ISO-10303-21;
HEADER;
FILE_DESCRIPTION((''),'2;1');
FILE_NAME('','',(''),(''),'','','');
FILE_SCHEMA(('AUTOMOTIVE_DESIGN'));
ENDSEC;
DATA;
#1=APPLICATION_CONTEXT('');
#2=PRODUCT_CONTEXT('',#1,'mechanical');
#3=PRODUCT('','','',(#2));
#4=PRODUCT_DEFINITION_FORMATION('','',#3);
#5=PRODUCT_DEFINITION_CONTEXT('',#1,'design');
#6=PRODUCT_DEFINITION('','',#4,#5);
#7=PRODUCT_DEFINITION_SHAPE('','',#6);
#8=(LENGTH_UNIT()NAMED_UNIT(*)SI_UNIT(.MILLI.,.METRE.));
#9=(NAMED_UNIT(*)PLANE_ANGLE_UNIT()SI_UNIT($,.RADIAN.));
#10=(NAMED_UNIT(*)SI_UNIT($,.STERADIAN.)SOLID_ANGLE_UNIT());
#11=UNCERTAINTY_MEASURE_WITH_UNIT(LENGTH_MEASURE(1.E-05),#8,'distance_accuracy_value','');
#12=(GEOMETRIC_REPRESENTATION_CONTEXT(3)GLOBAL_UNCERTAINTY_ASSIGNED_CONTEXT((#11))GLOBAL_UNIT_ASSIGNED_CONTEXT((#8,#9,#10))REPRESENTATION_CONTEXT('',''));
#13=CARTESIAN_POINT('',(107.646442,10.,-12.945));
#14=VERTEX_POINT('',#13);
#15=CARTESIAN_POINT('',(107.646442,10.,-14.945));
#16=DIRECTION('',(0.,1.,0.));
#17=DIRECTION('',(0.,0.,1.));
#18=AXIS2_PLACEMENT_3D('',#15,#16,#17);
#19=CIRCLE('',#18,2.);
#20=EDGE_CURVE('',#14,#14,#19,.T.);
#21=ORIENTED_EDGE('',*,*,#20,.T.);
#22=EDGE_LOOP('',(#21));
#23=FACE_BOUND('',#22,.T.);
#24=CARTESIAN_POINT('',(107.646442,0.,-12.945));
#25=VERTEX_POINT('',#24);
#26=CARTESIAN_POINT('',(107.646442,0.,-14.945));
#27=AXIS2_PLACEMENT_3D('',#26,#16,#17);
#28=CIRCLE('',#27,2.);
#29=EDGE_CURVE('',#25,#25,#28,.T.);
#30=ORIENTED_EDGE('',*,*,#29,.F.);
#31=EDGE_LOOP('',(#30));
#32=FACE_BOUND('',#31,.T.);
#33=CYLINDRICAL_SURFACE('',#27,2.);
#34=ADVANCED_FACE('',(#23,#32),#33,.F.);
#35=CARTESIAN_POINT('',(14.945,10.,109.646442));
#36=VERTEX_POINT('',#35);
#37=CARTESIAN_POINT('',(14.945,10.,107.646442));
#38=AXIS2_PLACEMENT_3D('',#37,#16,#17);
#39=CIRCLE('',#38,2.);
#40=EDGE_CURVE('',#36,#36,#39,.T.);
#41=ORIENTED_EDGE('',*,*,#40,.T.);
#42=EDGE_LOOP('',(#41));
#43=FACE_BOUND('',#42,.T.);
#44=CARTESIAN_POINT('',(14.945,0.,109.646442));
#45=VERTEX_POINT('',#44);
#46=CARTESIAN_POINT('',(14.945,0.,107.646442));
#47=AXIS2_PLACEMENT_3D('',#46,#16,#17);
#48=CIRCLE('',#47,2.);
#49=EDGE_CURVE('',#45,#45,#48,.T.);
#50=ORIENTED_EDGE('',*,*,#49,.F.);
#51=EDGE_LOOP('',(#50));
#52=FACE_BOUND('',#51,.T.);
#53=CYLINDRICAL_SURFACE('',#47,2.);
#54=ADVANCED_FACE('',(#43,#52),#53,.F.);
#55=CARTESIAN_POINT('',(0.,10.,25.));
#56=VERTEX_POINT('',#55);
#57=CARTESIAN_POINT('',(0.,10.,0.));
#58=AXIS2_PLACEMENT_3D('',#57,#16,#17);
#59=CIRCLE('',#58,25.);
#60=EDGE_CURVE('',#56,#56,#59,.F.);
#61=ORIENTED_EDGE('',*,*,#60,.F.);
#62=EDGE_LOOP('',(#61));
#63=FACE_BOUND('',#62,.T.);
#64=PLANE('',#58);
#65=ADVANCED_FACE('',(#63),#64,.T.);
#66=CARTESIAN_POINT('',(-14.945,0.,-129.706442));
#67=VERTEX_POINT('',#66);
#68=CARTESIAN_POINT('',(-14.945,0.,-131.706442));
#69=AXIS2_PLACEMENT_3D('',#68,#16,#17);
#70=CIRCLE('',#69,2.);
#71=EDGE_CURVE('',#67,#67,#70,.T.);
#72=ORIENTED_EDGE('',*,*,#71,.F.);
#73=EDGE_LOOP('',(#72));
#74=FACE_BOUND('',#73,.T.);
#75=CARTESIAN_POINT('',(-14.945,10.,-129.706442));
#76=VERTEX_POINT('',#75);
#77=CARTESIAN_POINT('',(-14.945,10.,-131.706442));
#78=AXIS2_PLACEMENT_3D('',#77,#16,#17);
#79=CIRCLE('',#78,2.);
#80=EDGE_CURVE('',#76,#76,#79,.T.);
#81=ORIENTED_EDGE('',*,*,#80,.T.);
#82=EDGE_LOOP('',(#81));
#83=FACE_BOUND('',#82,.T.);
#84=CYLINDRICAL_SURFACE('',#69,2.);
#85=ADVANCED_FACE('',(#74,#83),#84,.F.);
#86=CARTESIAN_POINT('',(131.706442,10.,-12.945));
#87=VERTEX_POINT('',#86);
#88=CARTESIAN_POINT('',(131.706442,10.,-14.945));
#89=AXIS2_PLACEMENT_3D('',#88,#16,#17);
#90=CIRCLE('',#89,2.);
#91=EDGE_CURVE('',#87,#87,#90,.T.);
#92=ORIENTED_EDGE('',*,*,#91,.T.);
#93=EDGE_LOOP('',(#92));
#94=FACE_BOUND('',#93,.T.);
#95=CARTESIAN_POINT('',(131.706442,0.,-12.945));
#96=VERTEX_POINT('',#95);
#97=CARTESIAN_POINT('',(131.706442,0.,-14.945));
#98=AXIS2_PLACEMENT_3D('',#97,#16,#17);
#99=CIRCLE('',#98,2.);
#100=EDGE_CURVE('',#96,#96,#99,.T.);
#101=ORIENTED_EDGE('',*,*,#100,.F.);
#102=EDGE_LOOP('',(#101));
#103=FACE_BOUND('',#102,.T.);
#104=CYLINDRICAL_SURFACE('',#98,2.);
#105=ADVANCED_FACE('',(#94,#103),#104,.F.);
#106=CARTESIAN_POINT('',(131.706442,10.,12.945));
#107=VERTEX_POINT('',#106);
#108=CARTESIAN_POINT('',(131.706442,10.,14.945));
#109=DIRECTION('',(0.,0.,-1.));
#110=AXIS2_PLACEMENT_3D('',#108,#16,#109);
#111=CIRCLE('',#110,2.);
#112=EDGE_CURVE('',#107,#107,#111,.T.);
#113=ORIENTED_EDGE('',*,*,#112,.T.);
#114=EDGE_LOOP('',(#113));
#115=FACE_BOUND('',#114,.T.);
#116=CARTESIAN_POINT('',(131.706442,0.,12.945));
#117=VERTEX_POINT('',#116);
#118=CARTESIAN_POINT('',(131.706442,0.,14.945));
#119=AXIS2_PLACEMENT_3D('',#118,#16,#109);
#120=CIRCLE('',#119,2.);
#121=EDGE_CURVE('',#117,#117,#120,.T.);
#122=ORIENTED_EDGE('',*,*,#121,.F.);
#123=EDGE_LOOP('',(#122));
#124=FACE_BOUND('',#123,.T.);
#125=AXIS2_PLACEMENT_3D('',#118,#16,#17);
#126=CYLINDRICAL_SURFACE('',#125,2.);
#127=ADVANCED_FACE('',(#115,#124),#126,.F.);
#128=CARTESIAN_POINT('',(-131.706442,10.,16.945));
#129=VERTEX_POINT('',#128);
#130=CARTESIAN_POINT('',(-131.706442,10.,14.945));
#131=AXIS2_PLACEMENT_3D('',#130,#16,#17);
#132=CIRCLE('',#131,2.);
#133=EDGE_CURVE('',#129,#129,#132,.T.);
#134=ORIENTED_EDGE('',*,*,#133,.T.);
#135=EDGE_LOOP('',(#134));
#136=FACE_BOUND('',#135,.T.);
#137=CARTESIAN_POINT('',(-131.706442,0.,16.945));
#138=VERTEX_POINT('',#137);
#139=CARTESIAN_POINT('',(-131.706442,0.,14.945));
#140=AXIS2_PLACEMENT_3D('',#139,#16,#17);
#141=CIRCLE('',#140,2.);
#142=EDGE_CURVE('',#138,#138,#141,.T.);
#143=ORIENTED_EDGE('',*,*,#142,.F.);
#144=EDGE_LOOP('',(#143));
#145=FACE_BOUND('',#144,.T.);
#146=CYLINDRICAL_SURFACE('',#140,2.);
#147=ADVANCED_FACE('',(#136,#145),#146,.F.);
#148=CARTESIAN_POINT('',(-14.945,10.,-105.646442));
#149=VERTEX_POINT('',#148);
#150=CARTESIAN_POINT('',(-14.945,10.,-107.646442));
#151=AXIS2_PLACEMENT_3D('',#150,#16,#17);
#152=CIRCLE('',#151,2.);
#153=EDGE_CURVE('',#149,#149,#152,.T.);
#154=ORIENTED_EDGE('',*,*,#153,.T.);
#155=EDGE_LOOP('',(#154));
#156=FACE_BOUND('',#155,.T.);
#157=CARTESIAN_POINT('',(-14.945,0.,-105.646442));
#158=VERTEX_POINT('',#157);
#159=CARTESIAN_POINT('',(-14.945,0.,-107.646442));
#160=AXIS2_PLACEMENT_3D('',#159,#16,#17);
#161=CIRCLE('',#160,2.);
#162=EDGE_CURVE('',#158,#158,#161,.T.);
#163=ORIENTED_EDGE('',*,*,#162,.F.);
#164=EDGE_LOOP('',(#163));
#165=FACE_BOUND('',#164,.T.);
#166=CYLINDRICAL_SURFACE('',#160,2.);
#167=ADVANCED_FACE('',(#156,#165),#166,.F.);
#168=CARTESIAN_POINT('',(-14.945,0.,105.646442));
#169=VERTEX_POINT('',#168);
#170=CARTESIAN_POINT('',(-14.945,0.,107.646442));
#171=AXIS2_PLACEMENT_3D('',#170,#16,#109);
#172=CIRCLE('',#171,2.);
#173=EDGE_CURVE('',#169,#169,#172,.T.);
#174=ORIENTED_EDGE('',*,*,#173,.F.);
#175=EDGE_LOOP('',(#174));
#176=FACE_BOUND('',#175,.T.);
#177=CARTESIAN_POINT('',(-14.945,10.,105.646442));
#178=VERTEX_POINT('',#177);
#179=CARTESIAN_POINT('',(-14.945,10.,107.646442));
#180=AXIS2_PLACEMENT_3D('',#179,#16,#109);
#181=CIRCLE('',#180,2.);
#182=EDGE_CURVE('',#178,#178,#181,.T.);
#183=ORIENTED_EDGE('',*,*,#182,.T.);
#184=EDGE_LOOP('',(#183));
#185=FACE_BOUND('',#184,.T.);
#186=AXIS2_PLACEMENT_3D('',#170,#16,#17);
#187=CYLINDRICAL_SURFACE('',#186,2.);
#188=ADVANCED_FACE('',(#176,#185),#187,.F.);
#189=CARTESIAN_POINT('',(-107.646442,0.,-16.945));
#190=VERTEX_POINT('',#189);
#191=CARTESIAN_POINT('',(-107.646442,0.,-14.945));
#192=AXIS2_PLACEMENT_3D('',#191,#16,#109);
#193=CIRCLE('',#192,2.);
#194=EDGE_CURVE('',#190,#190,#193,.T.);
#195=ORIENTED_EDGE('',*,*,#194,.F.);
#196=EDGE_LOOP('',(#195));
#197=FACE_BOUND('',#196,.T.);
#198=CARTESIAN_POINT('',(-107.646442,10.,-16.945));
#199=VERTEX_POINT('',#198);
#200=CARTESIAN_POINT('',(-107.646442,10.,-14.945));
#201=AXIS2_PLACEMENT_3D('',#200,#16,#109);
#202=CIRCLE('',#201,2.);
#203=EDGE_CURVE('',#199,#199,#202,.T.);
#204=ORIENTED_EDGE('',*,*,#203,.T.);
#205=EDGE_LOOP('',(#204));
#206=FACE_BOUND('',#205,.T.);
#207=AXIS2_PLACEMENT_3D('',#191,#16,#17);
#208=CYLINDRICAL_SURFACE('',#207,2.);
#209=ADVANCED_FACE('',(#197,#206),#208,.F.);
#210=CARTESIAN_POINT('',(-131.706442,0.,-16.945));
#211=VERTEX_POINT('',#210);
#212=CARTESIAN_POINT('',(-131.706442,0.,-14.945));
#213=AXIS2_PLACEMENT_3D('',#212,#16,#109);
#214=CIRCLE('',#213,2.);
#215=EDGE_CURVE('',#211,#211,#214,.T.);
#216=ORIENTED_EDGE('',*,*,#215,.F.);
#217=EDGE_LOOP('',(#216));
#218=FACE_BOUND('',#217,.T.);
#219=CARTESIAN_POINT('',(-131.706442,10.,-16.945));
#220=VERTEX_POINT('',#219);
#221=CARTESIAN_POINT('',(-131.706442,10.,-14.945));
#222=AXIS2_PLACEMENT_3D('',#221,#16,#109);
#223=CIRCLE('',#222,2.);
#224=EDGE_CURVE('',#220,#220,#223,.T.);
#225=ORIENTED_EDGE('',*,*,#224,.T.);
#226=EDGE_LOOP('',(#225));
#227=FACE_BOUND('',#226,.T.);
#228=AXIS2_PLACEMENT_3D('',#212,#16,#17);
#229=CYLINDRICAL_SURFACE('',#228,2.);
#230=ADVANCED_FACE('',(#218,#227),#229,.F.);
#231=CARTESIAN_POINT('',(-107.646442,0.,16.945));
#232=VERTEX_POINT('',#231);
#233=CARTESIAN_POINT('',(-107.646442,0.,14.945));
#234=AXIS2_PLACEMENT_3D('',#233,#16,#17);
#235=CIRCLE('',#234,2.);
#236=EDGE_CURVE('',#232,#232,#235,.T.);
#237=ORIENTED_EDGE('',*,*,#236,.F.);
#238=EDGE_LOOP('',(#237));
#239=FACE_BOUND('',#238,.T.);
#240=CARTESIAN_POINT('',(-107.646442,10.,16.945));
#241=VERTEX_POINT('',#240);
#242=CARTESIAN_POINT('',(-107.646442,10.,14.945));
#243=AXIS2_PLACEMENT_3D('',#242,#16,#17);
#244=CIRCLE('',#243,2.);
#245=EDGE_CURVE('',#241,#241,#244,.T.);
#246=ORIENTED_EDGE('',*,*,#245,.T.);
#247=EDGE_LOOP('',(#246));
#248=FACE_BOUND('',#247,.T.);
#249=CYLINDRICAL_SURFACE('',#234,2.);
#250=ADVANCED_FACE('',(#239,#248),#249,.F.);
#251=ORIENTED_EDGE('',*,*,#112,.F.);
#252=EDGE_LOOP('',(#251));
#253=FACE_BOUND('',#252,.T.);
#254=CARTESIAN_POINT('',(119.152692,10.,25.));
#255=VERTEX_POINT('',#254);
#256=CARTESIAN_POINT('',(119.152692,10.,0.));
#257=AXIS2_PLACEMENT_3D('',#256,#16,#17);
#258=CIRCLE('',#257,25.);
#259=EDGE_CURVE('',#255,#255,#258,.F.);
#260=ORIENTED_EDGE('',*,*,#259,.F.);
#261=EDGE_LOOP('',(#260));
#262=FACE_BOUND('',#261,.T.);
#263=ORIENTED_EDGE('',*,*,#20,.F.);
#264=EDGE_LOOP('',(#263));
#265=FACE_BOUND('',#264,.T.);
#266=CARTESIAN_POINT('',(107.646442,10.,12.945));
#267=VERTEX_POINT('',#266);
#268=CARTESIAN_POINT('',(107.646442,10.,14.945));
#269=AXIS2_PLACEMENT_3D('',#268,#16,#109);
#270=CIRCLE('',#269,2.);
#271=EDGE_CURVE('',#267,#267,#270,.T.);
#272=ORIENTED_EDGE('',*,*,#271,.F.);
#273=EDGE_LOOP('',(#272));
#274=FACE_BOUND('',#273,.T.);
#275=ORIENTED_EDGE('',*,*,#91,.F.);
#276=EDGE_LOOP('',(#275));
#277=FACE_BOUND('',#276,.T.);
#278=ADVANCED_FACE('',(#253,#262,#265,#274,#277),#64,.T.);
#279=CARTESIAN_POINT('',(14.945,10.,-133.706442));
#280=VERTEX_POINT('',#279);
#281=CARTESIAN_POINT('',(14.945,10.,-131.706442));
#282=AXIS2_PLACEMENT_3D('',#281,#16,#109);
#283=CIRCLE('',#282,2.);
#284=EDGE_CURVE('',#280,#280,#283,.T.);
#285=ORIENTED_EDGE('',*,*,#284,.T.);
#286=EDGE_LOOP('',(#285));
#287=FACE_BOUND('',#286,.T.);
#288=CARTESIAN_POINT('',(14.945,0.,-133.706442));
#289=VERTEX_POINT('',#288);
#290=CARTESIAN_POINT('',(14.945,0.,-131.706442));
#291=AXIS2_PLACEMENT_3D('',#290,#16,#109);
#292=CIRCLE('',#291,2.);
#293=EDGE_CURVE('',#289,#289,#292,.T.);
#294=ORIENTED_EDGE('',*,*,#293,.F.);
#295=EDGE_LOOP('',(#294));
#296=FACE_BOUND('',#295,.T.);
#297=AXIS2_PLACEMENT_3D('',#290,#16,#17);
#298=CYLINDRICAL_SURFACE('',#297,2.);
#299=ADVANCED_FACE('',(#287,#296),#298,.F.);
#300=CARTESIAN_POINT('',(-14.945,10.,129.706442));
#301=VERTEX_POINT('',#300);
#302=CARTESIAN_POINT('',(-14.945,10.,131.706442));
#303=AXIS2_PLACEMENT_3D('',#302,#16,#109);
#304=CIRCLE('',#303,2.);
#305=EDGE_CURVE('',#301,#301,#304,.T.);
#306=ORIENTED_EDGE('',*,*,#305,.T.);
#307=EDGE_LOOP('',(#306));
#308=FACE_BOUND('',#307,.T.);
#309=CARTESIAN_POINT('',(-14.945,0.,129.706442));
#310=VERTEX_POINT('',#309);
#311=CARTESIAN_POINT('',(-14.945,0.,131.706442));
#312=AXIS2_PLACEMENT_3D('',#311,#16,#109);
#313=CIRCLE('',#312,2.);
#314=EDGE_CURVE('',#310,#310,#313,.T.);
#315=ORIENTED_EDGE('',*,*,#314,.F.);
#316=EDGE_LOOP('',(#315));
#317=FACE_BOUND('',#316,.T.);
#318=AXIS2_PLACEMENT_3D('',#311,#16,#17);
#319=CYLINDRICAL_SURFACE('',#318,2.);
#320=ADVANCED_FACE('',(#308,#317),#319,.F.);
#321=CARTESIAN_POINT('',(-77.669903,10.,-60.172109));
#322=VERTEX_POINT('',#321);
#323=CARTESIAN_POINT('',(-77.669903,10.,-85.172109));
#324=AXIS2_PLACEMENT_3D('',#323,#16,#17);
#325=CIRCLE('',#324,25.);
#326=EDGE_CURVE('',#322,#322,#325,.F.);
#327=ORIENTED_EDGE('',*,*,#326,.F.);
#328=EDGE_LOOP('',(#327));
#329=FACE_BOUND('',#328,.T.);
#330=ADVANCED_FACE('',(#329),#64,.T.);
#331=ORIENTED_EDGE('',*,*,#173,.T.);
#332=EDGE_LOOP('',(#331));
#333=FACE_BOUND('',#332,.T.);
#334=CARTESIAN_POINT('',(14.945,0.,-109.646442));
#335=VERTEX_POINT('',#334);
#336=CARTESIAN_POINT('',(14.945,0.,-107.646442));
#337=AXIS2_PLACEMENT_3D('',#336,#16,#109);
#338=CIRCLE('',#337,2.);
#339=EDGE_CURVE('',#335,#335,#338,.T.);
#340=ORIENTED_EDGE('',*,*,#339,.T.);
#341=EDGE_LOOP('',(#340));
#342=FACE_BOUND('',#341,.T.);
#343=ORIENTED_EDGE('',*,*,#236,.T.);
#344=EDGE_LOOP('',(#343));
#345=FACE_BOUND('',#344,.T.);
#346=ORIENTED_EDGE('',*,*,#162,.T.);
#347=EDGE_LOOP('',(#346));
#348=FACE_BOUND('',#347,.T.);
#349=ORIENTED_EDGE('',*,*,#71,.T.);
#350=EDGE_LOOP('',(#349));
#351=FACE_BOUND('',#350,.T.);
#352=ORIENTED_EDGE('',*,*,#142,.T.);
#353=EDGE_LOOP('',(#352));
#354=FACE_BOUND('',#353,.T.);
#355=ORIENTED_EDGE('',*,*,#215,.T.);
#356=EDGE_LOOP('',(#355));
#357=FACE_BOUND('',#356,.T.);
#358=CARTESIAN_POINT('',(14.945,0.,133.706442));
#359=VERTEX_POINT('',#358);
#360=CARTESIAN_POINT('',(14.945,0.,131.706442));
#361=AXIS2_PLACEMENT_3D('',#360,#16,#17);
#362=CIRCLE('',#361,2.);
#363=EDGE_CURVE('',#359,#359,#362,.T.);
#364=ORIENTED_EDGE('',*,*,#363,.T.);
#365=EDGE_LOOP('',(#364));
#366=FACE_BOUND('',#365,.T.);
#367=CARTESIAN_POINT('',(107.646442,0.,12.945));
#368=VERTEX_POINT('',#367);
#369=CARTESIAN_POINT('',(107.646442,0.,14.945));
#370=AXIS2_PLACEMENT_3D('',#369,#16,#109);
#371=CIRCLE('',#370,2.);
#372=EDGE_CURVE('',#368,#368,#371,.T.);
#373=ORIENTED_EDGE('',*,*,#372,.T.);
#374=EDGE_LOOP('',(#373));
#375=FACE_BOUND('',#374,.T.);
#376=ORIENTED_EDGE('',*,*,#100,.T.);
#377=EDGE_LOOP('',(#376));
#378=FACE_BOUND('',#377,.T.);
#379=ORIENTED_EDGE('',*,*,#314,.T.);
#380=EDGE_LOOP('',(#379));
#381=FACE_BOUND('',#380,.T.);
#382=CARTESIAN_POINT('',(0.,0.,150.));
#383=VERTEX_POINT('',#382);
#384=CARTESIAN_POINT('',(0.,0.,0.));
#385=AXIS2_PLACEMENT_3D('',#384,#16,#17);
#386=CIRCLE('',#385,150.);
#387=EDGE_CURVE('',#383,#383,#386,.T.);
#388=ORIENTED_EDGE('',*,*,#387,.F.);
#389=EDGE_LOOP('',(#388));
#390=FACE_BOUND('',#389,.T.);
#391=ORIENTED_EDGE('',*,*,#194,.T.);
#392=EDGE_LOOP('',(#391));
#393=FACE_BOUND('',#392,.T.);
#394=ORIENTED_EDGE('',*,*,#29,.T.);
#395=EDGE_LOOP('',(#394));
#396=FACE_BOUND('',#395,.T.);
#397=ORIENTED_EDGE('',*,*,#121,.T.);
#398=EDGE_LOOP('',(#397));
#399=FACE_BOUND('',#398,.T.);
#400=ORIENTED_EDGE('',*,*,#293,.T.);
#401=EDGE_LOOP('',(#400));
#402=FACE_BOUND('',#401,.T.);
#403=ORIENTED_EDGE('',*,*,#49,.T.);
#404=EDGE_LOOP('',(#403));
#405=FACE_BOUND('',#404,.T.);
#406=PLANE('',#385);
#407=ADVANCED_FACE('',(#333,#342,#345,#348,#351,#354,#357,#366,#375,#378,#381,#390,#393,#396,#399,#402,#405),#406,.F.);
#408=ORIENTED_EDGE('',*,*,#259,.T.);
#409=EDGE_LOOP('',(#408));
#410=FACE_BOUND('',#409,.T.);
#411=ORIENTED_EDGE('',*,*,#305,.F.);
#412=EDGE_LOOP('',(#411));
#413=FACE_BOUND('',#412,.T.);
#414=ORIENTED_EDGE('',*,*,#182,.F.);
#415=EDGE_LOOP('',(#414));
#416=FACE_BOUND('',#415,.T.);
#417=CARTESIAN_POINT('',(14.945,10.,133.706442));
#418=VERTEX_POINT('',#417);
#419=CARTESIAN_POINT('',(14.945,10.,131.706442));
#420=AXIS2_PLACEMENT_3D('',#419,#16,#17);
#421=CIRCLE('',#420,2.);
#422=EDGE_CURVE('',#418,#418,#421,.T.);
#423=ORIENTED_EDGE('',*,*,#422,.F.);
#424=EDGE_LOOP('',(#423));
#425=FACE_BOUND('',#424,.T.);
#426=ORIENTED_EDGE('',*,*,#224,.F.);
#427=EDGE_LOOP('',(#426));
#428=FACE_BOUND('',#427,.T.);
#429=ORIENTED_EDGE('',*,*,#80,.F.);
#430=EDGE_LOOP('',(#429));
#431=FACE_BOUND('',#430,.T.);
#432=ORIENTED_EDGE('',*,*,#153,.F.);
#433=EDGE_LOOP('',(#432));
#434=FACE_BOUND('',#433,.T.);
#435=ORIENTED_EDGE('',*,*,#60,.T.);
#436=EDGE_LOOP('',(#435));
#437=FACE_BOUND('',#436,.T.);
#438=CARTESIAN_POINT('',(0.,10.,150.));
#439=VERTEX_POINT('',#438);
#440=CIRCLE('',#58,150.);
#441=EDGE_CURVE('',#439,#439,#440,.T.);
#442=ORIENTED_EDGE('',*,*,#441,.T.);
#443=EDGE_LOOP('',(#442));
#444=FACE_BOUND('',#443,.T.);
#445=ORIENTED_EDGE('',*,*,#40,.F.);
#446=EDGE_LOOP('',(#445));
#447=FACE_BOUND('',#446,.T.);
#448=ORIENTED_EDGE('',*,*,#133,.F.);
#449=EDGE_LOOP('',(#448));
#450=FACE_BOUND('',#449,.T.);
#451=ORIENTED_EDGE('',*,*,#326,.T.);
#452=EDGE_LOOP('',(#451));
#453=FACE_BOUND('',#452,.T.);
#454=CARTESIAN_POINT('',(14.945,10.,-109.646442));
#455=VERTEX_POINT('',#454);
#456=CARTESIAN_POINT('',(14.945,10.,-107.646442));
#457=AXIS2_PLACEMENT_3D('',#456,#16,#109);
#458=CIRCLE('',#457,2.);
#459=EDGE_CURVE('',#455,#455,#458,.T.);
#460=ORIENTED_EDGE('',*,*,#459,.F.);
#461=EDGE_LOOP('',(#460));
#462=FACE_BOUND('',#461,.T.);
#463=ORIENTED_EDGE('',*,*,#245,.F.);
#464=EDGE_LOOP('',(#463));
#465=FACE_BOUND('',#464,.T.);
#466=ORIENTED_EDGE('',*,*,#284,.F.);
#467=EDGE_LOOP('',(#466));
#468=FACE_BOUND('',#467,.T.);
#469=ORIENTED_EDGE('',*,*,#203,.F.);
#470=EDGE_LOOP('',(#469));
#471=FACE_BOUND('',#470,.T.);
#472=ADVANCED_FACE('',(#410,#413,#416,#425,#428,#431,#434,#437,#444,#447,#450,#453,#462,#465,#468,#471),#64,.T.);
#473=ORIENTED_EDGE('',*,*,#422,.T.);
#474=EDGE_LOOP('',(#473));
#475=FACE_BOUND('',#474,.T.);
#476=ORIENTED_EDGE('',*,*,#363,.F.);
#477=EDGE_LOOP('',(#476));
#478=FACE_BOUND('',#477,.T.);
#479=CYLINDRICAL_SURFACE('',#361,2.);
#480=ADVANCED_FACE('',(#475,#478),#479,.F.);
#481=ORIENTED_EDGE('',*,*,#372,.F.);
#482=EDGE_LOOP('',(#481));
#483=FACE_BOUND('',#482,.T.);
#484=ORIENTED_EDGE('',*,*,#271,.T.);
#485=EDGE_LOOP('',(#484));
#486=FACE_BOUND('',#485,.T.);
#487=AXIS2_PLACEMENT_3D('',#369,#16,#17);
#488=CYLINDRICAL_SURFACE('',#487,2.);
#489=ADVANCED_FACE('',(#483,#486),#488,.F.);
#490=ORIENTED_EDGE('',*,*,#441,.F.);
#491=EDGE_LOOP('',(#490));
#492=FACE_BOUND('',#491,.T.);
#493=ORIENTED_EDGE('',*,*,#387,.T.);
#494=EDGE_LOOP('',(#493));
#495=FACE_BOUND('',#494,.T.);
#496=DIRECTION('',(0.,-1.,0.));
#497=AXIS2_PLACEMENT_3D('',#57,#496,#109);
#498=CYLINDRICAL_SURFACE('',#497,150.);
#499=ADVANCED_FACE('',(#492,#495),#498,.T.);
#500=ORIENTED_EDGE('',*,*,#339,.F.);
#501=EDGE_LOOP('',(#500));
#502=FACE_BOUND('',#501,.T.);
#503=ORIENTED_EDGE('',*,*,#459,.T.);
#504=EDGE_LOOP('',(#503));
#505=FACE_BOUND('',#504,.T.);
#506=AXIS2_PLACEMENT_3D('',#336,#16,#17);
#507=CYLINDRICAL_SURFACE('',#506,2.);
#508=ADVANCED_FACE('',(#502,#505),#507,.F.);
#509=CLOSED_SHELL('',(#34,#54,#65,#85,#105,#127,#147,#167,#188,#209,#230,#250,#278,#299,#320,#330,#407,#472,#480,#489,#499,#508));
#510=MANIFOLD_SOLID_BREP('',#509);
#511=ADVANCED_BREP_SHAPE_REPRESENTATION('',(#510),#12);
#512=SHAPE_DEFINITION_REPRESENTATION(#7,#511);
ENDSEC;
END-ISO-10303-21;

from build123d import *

# Parameters (mm, degrees)
SKETCH1_R           = 150
BOSS_EXTRUDE1_DEPTH = 10
SKETCH2_R           = 2
CUT_EXTRUDE1_DEPTH  = 10


with BuildPart() as part:
    # Sketch1 → Boss-Extrude1 (new body)
    with BuildSketch(Plane(origin=(0, 0, 0), x_dir=(1, 0, 0), z_dir=(0, 1, 0))):
        with Locations(Location((0, 0, 0), (0, 0, 270))):
            Circle(SKETCH1_R)
    extrude(amount=BOSS_EXTRUDE1_DEPTH)

    # Sketch2 → Cut-Extrude1 (cut)
    with BuildSketch(Plane(origin=(0, 10, 0), x_dir=(1, 0, 0), z_dir=(0, 1, 0))):
        with Locations(Location((-14.945, 131.706442493, 0), (0, 0, 270))):
            Circle(SKETCH2_R)
        with Locations(Location((-14.945, 107.646442493, 0), (0, 0, 270))):
            Circle(SKETCH2_R)
        with Locations(Location((14.945, 107.646442493, 0), (0, 0, 90))):
            Circle(SKETCH2_R)
        with Locations(Location((14.945, 131.706442493, 0), (0, 0, 90))):
            Circle(SKETCH2_R)
        with Locations(Location((131.706442493, 14.945, 0), (0, 0, 270))):
            Circle(SKETCH2_R)
        with Locations(Location((131.706442493, -14.945, 0), (0, 0, 90))):
            Circle(SKETCH2_R)
        with Locations(Location((107.646442493, -14.945, 0), (0, 0, 90))):
            Circle(SKETCH2_R)
        with Locations(Location((107.646442493, 14.945, 0), (0, 0, 270))):
            Circle(SKETCH2_R)
        with Locations(Location((14.945, -131.706442493, 0), (0, 0, 270))):
            Circle(SKETCH2_R)
        with Locations(Location((-14.945, -131.706442493, 0), (0, 0, 90))):
            Circle(SKETCH2_R)
        with Locations(Location((-14.945, -107.646442493, 0), (0, 0, 90))):
            Circle(SKETCH2_R)
        with Locations(Location((14.945, -107.646442493, 0), (0, 0, 270))):
            Circle(SKETCH2_R)
        with Locations(Location((-131.706442493, -14.945, 0), (0, 0, 270))):
            Circle(SKETCH2_R)
        with Locations(Location((-131.706442493, 14.945, 0), (0, 0, 90))):
            Circle(SKETCH2_R)
        with Locations(Location((-107.646442493, 14.945, 0), (0, 0, 90))):
            Circle(SKETCH2_R)
        with Locations(Location((-107.646442493, -14.945, 0), (0, 0, 270))):
            Circle(SKETCH2_R)
    extrude(amount=-CUT_EXTRUDE1_DEPTH, mode=Mode.SUBTRACT)


solid = part.part
